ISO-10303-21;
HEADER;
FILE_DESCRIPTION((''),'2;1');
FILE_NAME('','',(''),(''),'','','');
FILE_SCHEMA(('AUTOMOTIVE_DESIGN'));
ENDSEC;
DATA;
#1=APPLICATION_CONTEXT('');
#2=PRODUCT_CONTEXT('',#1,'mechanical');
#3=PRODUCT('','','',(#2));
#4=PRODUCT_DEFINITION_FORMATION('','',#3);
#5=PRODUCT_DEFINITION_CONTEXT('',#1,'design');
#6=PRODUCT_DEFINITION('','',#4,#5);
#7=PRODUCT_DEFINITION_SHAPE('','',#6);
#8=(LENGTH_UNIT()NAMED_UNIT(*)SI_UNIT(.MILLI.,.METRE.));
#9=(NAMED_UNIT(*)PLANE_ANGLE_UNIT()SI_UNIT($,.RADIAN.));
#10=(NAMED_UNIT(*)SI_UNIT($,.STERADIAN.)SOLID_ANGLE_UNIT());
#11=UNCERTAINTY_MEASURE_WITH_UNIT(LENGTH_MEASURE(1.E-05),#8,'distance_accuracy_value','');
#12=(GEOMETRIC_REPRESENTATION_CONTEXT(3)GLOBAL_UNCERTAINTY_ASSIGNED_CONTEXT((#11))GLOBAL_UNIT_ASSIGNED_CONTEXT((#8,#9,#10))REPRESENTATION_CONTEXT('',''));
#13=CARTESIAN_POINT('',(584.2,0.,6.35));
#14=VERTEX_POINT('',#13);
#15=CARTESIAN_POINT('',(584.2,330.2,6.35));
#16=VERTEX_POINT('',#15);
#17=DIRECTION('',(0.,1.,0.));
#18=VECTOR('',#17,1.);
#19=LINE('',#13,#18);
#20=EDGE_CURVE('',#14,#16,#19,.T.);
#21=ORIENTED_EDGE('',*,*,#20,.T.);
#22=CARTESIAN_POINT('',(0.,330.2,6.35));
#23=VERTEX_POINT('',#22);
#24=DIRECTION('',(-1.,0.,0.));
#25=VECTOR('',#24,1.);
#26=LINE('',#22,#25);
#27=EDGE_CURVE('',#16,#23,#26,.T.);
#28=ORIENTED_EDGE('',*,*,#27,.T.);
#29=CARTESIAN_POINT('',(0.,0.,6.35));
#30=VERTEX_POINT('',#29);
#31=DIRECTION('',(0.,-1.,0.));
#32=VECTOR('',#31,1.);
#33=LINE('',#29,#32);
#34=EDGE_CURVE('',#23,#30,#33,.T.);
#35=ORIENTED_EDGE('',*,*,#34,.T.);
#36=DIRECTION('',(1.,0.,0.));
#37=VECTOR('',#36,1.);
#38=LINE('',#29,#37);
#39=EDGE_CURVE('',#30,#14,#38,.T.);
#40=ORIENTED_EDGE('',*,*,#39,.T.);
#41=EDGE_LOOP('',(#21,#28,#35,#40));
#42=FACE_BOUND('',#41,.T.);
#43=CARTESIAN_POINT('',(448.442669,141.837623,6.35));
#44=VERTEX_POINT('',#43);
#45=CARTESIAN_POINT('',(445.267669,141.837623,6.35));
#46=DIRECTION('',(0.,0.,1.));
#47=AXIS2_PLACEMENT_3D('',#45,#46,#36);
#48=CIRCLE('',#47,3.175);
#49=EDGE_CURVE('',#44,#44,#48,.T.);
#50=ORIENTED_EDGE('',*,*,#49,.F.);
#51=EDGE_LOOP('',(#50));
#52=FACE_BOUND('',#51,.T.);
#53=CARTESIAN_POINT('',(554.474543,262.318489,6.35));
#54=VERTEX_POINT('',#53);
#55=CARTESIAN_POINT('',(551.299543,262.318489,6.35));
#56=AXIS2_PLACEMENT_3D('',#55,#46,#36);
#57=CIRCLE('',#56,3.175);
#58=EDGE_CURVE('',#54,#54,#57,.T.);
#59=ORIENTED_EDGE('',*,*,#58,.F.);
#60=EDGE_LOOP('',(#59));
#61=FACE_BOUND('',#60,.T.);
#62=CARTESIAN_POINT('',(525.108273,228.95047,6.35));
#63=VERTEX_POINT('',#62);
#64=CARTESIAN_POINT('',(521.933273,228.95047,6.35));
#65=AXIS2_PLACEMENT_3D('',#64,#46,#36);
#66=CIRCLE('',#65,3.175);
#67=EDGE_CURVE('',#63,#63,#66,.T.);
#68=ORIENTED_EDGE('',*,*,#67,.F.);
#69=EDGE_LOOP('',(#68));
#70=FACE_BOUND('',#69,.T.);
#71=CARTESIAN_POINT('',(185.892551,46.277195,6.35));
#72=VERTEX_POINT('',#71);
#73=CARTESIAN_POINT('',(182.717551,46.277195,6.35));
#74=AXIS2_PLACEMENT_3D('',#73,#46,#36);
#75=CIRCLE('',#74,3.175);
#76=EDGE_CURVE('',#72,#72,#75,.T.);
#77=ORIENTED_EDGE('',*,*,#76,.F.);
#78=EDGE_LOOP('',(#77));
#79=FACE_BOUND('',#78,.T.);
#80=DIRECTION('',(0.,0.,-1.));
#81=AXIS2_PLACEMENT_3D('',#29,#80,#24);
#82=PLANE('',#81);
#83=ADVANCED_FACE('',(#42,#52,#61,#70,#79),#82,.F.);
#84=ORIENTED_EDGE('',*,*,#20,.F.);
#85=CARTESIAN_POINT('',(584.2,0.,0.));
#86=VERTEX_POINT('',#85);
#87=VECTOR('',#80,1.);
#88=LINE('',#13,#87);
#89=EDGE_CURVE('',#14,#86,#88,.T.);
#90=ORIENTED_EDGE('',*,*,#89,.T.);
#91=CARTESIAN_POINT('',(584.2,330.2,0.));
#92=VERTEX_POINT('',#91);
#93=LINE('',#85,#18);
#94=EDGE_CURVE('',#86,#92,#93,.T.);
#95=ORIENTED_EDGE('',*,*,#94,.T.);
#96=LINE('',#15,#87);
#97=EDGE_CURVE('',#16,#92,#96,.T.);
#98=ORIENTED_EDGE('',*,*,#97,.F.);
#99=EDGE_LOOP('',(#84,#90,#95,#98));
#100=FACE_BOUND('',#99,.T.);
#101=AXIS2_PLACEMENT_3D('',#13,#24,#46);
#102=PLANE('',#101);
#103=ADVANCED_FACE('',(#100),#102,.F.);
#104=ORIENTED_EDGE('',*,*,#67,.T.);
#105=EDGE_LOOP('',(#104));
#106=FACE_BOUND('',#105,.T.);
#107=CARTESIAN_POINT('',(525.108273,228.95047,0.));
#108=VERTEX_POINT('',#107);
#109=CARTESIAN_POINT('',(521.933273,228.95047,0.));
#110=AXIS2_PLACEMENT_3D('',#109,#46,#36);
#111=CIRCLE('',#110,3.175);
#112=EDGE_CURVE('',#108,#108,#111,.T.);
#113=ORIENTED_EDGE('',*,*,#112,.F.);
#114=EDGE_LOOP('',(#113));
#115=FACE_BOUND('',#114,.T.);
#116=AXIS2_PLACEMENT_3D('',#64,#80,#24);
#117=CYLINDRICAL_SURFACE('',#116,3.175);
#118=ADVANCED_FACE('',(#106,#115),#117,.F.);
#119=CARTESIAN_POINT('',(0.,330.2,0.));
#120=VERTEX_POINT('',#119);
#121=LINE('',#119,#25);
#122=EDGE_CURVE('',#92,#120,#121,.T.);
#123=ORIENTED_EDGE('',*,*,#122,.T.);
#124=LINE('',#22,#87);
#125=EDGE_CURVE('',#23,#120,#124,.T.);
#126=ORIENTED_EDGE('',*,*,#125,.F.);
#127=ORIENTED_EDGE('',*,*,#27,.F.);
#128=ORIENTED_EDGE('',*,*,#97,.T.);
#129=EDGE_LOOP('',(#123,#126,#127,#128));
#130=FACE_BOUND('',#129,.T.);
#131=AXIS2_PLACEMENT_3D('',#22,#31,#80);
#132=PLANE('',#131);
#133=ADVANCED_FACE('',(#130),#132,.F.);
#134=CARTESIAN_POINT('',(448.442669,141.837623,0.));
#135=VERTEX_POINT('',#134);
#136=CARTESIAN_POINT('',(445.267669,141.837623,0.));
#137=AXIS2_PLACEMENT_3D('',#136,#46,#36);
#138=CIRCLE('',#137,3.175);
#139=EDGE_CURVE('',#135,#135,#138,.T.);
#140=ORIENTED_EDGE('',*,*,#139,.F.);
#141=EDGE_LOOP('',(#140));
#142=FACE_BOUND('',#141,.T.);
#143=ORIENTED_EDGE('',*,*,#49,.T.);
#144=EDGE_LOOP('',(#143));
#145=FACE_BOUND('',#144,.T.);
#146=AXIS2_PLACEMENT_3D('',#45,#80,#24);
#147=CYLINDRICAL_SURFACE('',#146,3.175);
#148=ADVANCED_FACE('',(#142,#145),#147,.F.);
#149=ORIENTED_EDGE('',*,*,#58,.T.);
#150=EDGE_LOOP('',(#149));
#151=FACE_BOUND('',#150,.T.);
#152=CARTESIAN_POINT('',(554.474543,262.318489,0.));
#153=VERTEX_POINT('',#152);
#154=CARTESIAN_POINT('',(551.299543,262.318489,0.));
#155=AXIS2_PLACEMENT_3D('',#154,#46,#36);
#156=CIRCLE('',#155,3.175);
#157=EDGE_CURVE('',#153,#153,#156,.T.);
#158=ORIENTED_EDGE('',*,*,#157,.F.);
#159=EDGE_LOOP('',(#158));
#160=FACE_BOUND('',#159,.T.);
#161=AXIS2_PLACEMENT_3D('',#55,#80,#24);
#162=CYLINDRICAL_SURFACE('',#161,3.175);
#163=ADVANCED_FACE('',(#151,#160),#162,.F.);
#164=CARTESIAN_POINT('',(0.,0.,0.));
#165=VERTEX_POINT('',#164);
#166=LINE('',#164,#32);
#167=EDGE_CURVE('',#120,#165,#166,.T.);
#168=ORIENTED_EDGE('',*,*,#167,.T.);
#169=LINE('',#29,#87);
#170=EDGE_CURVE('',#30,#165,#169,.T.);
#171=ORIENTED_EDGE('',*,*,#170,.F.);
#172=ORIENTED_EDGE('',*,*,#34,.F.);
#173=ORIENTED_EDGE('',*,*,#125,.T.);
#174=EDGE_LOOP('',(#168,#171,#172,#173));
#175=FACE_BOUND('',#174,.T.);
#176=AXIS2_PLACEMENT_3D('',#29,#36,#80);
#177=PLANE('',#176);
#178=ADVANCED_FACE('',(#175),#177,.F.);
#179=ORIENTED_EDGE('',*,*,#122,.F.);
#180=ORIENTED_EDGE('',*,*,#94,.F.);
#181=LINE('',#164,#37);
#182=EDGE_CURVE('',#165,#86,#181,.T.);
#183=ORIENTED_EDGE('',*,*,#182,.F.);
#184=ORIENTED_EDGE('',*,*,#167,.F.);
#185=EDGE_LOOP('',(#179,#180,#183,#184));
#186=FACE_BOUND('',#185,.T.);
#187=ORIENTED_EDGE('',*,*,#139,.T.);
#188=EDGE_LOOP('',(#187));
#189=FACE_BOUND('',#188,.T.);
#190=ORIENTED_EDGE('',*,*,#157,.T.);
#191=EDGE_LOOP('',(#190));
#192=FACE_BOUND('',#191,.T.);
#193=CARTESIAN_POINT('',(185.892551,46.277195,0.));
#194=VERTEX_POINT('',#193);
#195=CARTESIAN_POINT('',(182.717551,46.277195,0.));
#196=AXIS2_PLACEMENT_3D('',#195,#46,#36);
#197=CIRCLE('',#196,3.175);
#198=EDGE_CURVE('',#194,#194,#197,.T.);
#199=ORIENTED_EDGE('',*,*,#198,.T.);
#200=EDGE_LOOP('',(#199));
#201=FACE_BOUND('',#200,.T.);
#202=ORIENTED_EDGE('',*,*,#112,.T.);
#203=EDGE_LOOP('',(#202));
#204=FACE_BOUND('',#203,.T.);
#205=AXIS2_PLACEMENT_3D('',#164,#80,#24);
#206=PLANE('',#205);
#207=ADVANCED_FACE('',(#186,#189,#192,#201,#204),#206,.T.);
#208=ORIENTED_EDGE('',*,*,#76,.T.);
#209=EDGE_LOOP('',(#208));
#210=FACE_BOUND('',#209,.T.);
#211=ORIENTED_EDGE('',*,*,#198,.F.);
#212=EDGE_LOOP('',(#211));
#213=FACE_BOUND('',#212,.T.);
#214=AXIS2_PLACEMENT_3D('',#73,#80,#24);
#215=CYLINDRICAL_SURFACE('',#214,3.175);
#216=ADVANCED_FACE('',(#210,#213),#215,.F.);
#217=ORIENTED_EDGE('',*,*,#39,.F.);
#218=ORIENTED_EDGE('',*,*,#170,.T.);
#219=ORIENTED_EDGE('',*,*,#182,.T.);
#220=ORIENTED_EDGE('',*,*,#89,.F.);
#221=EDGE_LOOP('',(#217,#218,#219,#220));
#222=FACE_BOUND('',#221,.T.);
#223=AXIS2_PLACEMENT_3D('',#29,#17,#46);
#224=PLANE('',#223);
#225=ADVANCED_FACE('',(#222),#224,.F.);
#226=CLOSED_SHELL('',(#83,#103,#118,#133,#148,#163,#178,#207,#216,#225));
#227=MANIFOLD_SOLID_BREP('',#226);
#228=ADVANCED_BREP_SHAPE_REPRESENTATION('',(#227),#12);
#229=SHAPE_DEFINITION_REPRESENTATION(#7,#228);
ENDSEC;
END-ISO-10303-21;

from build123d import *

# Parameters (mm, degrees)
SKETCH1_W           = 584.2
SKETCH1_H           = 330.2
SKETCH1_R           = 3.175
BOSS_EXTRUDE1_DEPTH = 6.35


with BuildPart() as part:
    # Sketch1 → Boss-Extrude1 (new body)
    with BuildSketch(Plane.XY):
        with Locations((292.1, 165.1)):
            Rectangle(SKETCH1_W, SKETCH1_H)
        with Locations((182.717550731, 46.277194957)):
            Circle(SKETCH1_R, mode=Mode.SUBTRACT)
        with Locations((445.267668978, 141.837623003)):
            Circle(SKETCH1_R, mode=Mode.SUBTRACT)
        with Locations((521.93327346, 228.950470164)):
            Circle(SKETCH1_R, mode=Mode.SUBTRACT)
        with Locations((551.299543138, 262.318489362)):
            Circle(SKETCH1_R, mode=Mode.SUBTRACT)
    extrude(amount=BOSS_EXTRUDE1_DEPTH)


solid = part.part
